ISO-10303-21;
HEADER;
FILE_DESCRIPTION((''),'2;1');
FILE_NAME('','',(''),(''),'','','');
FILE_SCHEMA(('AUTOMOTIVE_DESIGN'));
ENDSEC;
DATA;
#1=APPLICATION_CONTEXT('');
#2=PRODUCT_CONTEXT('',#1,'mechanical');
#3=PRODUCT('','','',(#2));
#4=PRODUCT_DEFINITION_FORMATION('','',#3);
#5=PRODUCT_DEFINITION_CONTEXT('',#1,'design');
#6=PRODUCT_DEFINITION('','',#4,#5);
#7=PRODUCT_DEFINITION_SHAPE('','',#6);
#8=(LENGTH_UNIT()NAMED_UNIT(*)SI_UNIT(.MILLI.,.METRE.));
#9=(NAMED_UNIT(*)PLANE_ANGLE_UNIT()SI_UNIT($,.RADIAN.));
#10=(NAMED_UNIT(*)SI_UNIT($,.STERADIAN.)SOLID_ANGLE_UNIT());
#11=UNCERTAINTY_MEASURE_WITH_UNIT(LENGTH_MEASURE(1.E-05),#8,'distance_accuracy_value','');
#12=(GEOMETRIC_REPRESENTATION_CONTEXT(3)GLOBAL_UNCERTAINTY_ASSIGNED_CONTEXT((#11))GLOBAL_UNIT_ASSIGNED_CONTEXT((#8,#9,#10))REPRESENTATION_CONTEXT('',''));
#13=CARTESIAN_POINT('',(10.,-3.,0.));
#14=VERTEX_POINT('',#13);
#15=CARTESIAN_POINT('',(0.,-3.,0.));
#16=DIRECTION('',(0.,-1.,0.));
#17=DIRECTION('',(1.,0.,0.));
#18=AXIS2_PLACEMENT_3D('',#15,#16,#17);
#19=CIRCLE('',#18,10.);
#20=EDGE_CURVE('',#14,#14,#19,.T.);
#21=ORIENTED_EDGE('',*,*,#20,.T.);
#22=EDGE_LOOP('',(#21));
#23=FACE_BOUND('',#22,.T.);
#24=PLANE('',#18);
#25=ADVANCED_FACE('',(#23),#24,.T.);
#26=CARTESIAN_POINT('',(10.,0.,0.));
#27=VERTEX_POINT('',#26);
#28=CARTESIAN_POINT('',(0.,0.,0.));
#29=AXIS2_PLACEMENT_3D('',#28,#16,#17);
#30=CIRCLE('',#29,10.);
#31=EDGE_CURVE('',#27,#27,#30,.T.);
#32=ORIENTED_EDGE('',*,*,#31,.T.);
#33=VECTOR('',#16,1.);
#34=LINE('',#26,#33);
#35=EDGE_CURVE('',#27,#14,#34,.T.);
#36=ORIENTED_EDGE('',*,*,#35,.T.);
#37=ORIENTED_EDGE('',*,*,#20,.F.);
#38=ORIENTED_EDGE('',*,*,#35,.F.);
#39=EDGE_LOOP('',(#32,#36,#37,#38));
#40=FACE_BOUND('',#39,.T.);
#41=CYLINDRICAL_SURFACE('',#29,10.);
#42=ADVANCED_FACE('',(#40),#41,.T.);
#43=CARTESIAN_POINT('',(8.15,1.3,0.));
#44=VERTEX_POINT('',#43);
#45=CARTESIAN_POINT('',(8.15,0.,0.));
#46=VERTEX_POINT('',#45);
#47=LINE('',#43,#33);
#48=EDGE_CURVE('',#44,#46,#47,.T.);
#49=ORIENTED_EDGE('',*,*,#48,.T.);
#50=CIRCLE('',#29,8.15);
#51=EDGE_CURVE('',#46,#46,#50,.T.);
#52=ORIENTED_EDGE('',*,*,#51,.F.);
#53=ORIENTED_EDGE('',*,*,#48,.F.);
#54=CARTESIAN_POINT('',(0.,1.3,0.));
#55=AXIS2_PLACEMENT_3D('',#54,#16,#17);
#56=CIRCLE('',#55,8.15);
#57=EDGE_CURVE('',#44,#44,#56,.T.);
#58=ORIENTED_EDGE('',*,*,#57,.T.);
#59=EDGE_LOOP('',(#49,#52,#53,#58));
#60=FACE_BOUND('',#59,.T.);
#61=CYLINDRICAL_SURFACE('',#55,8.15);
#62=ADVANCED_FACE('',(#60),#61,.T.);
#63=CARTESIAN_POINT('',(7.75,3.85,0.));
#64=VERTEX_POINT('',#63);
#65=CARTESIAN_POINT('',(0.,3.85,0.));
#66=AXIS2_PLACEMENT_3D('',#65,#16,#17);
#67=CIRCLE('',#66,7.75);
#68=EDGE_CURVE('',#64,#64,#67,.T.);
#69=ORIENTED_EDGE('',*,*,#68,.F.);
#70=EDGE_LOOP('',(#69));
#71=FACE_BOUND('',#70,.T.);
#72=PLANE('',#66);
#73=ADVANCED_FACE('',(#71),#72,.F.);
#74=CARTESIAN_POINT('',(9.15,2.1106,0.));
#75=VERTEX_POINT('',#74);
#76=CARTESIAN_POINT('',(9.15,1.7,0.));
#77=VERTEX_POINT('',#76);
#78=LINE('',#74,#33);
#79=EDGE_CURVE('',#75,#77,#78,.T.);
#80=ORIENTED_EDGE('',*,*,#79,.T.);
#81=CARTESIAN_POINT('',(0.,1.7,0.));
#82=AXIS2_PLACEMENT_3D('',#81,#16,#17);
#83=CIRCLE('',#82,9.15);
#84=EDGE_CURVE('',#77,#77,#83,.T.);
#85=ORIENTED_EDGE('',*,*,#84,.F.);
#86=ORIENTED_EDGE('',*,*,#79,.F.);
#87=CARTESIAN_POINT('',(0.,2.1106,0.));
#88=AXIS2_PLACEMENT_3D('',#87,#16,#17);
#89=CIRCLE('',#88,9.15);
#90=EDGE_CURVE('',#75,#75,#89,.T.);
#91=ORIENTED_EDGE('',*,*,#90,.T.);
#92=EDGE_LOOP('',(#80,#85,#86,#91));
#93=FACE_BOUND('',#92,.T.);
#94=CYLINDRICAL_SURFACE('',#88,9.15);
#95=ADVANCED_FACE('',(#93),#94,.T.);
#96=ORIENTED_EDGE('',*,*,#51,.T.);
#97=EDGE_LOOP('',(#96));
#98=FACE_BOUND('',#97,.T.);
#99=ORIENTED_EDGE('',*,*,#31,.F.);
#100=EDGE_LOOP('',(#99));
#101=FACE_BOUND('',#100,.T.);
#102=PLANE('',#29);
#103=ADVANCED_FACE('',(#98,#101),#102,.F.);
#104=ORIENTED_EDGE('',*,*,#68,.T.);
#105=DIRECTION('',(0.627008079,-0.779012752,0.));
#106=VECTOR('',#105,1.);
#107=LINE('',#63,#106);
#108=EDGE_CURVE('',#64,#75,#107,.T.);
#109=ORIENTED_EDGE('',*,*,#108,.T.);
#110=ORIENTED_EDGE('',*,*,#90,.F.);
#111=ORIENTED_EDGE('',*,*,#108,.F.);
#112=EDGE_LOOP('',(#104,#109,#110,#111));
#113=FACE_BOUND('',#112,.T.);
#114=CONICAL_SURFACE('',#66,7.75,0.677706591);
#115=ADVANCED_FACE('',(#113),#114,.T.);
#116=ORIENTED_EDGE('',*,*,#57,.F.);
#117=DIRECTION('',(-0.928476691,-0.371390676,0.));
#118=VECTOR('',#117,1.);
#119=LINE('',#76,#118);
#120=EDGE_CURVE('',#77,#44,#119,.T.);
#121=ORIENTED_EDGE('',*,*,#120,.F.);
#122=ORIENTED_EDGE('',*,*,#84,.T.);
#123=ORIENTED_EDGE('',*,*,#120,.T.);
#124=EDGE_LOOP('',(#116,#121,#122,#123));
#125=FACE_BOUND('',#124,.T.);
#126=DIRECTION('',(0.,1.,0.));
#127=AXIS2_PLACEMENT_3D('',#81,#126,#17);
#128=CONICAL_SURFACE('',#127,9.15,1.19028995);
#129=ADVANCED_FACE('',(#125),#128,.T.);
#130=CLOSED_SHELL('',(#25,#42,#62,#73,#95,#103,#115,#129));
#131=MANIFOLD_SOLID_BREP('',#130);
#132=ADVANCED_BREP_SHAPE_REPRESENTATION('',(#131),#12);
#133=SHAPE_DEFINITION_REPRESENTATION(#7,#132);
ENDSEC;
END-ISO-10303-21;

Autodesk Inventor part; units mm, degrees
sketch "Sketch_1" plane through (0, 0, 0) normal (0, 0, 1) x (1, 0, 0)
  line L0 (0, -3) -> (0, 3.85)
  line L1 (0, 3.85) -> (7.75, 3.85)
  line L2 (7.75, 3.85) -> (9.15, 2.1106)
  line L3 (9.15, 2.1106) -> (9.15, 1.7)
  line L4 (9.15, 1.7) -> (8.15, 1.3)
  line L5 (8.15, 1.3) -> (8.15, 0)
  line L6 (8.15, 0) -> (10, 0)
  line L7 (10, 0) -> (10, -3)
  line L8 (10, -3) -> (0, -3)
  line L9 (0, -3) -> (0, 3.85)
revolve "Revolution1" add sketch "Sketch_1" angle 360 about axis through (0, -3, 0) along (0, -1, 0)
ref_plane "P1_XY" through (0, 0, 0) normal (0, 1, 0) x (1, 0, 0)
ref_plane "P1_YZ" through (0, 0, 0) normal (1, 0, 0) x (0, 0, -1)
ref_plane "P1_ZX" through (0, 0, 0) normal (0, 0, -1) x (0, 1, 0)
properties part number "0000-00168553(2)"
